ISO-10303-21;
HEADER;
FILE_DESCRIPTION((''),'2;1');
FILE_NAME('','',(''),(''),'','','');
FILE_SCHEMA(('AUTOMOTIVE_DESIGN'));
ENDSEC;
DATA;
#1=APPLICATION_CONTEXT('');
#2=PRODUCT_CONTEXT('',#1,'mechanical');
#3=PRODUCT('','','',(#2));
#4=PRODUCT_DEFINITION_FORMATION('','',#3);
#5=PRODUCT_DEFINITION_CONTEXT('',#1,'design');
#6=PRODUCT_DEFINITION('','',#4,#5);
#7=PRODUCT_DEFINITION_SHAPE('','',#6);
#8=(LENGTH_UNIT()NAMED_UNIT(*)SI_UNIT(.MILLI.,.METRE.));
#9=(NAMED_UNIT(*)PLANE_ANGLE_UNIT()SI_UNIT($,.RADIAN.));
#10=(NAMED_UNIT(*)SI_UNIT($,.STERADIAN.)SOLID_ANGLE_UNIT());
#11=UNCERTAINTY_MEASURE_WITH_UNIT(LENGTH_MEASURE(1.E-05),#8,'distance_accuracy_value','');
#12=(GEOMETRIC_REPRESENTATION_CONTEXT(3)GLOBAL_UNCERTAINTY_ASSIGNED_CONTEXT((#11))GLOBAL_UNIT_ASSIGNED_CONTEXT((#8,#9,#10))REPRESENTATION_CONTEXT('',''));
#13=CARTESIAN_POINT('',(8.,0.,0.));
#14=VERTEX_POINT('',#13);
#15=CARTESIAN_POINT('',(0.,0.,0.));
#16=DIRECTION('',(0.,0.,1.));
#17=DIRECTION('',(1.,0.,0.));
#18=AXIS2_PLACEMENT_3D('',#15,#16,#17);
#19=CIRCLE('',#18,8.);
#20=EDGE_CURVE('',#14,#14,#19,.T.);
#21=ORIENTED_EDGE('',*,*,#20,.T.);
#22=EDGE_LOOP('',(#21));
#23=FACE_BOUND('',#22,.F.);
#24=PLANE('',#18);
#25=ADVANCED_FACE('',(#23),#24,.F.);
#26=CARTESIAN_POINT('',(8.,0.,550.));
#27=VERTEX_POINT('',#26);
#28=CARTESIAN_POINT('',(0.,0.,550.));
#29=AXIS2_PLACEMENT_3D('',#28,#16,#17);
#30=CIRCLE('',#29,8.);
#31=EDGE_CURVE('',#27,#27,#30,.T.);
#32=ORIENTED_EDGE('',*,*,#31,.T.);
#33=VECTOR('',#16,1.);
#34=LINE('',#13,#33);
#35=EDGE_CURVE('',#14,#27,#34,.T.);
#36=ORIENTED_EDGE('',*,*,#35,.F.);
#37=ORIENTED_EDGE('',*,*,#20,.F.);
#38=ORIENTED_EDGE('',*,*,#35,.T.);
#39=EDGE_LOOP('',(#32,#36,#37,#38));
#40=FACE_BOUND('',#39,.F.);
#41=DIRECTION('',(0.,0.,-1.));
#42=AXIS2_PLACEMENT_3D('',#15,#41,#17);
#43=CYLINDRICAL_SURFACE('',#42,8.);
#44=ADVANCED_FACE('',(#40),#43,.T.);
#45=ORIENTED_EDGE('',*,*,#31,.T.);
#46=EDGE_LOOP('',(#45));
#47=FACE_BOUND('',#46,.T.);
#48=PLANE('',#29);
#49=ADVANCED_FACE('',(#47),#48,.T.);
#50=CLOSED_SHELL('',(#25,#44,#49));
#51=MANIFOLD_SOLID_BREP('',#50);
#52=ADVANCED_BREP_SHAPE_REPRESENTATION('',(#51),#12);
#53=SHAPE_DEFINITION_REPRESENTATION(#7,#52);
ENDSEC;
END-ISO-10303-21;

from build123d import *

# Parameters (mm, degrees)
SKETCH_R  = 8
PAD_DEPTH = 550


with BuildPart() as part:
    # Sketch → Pad (new body)
    with BuildSketch(Plane.XY):
        Circle(SKETCH_R)
    extrude(amount=PAD_DEPTH)


solid = part.part
